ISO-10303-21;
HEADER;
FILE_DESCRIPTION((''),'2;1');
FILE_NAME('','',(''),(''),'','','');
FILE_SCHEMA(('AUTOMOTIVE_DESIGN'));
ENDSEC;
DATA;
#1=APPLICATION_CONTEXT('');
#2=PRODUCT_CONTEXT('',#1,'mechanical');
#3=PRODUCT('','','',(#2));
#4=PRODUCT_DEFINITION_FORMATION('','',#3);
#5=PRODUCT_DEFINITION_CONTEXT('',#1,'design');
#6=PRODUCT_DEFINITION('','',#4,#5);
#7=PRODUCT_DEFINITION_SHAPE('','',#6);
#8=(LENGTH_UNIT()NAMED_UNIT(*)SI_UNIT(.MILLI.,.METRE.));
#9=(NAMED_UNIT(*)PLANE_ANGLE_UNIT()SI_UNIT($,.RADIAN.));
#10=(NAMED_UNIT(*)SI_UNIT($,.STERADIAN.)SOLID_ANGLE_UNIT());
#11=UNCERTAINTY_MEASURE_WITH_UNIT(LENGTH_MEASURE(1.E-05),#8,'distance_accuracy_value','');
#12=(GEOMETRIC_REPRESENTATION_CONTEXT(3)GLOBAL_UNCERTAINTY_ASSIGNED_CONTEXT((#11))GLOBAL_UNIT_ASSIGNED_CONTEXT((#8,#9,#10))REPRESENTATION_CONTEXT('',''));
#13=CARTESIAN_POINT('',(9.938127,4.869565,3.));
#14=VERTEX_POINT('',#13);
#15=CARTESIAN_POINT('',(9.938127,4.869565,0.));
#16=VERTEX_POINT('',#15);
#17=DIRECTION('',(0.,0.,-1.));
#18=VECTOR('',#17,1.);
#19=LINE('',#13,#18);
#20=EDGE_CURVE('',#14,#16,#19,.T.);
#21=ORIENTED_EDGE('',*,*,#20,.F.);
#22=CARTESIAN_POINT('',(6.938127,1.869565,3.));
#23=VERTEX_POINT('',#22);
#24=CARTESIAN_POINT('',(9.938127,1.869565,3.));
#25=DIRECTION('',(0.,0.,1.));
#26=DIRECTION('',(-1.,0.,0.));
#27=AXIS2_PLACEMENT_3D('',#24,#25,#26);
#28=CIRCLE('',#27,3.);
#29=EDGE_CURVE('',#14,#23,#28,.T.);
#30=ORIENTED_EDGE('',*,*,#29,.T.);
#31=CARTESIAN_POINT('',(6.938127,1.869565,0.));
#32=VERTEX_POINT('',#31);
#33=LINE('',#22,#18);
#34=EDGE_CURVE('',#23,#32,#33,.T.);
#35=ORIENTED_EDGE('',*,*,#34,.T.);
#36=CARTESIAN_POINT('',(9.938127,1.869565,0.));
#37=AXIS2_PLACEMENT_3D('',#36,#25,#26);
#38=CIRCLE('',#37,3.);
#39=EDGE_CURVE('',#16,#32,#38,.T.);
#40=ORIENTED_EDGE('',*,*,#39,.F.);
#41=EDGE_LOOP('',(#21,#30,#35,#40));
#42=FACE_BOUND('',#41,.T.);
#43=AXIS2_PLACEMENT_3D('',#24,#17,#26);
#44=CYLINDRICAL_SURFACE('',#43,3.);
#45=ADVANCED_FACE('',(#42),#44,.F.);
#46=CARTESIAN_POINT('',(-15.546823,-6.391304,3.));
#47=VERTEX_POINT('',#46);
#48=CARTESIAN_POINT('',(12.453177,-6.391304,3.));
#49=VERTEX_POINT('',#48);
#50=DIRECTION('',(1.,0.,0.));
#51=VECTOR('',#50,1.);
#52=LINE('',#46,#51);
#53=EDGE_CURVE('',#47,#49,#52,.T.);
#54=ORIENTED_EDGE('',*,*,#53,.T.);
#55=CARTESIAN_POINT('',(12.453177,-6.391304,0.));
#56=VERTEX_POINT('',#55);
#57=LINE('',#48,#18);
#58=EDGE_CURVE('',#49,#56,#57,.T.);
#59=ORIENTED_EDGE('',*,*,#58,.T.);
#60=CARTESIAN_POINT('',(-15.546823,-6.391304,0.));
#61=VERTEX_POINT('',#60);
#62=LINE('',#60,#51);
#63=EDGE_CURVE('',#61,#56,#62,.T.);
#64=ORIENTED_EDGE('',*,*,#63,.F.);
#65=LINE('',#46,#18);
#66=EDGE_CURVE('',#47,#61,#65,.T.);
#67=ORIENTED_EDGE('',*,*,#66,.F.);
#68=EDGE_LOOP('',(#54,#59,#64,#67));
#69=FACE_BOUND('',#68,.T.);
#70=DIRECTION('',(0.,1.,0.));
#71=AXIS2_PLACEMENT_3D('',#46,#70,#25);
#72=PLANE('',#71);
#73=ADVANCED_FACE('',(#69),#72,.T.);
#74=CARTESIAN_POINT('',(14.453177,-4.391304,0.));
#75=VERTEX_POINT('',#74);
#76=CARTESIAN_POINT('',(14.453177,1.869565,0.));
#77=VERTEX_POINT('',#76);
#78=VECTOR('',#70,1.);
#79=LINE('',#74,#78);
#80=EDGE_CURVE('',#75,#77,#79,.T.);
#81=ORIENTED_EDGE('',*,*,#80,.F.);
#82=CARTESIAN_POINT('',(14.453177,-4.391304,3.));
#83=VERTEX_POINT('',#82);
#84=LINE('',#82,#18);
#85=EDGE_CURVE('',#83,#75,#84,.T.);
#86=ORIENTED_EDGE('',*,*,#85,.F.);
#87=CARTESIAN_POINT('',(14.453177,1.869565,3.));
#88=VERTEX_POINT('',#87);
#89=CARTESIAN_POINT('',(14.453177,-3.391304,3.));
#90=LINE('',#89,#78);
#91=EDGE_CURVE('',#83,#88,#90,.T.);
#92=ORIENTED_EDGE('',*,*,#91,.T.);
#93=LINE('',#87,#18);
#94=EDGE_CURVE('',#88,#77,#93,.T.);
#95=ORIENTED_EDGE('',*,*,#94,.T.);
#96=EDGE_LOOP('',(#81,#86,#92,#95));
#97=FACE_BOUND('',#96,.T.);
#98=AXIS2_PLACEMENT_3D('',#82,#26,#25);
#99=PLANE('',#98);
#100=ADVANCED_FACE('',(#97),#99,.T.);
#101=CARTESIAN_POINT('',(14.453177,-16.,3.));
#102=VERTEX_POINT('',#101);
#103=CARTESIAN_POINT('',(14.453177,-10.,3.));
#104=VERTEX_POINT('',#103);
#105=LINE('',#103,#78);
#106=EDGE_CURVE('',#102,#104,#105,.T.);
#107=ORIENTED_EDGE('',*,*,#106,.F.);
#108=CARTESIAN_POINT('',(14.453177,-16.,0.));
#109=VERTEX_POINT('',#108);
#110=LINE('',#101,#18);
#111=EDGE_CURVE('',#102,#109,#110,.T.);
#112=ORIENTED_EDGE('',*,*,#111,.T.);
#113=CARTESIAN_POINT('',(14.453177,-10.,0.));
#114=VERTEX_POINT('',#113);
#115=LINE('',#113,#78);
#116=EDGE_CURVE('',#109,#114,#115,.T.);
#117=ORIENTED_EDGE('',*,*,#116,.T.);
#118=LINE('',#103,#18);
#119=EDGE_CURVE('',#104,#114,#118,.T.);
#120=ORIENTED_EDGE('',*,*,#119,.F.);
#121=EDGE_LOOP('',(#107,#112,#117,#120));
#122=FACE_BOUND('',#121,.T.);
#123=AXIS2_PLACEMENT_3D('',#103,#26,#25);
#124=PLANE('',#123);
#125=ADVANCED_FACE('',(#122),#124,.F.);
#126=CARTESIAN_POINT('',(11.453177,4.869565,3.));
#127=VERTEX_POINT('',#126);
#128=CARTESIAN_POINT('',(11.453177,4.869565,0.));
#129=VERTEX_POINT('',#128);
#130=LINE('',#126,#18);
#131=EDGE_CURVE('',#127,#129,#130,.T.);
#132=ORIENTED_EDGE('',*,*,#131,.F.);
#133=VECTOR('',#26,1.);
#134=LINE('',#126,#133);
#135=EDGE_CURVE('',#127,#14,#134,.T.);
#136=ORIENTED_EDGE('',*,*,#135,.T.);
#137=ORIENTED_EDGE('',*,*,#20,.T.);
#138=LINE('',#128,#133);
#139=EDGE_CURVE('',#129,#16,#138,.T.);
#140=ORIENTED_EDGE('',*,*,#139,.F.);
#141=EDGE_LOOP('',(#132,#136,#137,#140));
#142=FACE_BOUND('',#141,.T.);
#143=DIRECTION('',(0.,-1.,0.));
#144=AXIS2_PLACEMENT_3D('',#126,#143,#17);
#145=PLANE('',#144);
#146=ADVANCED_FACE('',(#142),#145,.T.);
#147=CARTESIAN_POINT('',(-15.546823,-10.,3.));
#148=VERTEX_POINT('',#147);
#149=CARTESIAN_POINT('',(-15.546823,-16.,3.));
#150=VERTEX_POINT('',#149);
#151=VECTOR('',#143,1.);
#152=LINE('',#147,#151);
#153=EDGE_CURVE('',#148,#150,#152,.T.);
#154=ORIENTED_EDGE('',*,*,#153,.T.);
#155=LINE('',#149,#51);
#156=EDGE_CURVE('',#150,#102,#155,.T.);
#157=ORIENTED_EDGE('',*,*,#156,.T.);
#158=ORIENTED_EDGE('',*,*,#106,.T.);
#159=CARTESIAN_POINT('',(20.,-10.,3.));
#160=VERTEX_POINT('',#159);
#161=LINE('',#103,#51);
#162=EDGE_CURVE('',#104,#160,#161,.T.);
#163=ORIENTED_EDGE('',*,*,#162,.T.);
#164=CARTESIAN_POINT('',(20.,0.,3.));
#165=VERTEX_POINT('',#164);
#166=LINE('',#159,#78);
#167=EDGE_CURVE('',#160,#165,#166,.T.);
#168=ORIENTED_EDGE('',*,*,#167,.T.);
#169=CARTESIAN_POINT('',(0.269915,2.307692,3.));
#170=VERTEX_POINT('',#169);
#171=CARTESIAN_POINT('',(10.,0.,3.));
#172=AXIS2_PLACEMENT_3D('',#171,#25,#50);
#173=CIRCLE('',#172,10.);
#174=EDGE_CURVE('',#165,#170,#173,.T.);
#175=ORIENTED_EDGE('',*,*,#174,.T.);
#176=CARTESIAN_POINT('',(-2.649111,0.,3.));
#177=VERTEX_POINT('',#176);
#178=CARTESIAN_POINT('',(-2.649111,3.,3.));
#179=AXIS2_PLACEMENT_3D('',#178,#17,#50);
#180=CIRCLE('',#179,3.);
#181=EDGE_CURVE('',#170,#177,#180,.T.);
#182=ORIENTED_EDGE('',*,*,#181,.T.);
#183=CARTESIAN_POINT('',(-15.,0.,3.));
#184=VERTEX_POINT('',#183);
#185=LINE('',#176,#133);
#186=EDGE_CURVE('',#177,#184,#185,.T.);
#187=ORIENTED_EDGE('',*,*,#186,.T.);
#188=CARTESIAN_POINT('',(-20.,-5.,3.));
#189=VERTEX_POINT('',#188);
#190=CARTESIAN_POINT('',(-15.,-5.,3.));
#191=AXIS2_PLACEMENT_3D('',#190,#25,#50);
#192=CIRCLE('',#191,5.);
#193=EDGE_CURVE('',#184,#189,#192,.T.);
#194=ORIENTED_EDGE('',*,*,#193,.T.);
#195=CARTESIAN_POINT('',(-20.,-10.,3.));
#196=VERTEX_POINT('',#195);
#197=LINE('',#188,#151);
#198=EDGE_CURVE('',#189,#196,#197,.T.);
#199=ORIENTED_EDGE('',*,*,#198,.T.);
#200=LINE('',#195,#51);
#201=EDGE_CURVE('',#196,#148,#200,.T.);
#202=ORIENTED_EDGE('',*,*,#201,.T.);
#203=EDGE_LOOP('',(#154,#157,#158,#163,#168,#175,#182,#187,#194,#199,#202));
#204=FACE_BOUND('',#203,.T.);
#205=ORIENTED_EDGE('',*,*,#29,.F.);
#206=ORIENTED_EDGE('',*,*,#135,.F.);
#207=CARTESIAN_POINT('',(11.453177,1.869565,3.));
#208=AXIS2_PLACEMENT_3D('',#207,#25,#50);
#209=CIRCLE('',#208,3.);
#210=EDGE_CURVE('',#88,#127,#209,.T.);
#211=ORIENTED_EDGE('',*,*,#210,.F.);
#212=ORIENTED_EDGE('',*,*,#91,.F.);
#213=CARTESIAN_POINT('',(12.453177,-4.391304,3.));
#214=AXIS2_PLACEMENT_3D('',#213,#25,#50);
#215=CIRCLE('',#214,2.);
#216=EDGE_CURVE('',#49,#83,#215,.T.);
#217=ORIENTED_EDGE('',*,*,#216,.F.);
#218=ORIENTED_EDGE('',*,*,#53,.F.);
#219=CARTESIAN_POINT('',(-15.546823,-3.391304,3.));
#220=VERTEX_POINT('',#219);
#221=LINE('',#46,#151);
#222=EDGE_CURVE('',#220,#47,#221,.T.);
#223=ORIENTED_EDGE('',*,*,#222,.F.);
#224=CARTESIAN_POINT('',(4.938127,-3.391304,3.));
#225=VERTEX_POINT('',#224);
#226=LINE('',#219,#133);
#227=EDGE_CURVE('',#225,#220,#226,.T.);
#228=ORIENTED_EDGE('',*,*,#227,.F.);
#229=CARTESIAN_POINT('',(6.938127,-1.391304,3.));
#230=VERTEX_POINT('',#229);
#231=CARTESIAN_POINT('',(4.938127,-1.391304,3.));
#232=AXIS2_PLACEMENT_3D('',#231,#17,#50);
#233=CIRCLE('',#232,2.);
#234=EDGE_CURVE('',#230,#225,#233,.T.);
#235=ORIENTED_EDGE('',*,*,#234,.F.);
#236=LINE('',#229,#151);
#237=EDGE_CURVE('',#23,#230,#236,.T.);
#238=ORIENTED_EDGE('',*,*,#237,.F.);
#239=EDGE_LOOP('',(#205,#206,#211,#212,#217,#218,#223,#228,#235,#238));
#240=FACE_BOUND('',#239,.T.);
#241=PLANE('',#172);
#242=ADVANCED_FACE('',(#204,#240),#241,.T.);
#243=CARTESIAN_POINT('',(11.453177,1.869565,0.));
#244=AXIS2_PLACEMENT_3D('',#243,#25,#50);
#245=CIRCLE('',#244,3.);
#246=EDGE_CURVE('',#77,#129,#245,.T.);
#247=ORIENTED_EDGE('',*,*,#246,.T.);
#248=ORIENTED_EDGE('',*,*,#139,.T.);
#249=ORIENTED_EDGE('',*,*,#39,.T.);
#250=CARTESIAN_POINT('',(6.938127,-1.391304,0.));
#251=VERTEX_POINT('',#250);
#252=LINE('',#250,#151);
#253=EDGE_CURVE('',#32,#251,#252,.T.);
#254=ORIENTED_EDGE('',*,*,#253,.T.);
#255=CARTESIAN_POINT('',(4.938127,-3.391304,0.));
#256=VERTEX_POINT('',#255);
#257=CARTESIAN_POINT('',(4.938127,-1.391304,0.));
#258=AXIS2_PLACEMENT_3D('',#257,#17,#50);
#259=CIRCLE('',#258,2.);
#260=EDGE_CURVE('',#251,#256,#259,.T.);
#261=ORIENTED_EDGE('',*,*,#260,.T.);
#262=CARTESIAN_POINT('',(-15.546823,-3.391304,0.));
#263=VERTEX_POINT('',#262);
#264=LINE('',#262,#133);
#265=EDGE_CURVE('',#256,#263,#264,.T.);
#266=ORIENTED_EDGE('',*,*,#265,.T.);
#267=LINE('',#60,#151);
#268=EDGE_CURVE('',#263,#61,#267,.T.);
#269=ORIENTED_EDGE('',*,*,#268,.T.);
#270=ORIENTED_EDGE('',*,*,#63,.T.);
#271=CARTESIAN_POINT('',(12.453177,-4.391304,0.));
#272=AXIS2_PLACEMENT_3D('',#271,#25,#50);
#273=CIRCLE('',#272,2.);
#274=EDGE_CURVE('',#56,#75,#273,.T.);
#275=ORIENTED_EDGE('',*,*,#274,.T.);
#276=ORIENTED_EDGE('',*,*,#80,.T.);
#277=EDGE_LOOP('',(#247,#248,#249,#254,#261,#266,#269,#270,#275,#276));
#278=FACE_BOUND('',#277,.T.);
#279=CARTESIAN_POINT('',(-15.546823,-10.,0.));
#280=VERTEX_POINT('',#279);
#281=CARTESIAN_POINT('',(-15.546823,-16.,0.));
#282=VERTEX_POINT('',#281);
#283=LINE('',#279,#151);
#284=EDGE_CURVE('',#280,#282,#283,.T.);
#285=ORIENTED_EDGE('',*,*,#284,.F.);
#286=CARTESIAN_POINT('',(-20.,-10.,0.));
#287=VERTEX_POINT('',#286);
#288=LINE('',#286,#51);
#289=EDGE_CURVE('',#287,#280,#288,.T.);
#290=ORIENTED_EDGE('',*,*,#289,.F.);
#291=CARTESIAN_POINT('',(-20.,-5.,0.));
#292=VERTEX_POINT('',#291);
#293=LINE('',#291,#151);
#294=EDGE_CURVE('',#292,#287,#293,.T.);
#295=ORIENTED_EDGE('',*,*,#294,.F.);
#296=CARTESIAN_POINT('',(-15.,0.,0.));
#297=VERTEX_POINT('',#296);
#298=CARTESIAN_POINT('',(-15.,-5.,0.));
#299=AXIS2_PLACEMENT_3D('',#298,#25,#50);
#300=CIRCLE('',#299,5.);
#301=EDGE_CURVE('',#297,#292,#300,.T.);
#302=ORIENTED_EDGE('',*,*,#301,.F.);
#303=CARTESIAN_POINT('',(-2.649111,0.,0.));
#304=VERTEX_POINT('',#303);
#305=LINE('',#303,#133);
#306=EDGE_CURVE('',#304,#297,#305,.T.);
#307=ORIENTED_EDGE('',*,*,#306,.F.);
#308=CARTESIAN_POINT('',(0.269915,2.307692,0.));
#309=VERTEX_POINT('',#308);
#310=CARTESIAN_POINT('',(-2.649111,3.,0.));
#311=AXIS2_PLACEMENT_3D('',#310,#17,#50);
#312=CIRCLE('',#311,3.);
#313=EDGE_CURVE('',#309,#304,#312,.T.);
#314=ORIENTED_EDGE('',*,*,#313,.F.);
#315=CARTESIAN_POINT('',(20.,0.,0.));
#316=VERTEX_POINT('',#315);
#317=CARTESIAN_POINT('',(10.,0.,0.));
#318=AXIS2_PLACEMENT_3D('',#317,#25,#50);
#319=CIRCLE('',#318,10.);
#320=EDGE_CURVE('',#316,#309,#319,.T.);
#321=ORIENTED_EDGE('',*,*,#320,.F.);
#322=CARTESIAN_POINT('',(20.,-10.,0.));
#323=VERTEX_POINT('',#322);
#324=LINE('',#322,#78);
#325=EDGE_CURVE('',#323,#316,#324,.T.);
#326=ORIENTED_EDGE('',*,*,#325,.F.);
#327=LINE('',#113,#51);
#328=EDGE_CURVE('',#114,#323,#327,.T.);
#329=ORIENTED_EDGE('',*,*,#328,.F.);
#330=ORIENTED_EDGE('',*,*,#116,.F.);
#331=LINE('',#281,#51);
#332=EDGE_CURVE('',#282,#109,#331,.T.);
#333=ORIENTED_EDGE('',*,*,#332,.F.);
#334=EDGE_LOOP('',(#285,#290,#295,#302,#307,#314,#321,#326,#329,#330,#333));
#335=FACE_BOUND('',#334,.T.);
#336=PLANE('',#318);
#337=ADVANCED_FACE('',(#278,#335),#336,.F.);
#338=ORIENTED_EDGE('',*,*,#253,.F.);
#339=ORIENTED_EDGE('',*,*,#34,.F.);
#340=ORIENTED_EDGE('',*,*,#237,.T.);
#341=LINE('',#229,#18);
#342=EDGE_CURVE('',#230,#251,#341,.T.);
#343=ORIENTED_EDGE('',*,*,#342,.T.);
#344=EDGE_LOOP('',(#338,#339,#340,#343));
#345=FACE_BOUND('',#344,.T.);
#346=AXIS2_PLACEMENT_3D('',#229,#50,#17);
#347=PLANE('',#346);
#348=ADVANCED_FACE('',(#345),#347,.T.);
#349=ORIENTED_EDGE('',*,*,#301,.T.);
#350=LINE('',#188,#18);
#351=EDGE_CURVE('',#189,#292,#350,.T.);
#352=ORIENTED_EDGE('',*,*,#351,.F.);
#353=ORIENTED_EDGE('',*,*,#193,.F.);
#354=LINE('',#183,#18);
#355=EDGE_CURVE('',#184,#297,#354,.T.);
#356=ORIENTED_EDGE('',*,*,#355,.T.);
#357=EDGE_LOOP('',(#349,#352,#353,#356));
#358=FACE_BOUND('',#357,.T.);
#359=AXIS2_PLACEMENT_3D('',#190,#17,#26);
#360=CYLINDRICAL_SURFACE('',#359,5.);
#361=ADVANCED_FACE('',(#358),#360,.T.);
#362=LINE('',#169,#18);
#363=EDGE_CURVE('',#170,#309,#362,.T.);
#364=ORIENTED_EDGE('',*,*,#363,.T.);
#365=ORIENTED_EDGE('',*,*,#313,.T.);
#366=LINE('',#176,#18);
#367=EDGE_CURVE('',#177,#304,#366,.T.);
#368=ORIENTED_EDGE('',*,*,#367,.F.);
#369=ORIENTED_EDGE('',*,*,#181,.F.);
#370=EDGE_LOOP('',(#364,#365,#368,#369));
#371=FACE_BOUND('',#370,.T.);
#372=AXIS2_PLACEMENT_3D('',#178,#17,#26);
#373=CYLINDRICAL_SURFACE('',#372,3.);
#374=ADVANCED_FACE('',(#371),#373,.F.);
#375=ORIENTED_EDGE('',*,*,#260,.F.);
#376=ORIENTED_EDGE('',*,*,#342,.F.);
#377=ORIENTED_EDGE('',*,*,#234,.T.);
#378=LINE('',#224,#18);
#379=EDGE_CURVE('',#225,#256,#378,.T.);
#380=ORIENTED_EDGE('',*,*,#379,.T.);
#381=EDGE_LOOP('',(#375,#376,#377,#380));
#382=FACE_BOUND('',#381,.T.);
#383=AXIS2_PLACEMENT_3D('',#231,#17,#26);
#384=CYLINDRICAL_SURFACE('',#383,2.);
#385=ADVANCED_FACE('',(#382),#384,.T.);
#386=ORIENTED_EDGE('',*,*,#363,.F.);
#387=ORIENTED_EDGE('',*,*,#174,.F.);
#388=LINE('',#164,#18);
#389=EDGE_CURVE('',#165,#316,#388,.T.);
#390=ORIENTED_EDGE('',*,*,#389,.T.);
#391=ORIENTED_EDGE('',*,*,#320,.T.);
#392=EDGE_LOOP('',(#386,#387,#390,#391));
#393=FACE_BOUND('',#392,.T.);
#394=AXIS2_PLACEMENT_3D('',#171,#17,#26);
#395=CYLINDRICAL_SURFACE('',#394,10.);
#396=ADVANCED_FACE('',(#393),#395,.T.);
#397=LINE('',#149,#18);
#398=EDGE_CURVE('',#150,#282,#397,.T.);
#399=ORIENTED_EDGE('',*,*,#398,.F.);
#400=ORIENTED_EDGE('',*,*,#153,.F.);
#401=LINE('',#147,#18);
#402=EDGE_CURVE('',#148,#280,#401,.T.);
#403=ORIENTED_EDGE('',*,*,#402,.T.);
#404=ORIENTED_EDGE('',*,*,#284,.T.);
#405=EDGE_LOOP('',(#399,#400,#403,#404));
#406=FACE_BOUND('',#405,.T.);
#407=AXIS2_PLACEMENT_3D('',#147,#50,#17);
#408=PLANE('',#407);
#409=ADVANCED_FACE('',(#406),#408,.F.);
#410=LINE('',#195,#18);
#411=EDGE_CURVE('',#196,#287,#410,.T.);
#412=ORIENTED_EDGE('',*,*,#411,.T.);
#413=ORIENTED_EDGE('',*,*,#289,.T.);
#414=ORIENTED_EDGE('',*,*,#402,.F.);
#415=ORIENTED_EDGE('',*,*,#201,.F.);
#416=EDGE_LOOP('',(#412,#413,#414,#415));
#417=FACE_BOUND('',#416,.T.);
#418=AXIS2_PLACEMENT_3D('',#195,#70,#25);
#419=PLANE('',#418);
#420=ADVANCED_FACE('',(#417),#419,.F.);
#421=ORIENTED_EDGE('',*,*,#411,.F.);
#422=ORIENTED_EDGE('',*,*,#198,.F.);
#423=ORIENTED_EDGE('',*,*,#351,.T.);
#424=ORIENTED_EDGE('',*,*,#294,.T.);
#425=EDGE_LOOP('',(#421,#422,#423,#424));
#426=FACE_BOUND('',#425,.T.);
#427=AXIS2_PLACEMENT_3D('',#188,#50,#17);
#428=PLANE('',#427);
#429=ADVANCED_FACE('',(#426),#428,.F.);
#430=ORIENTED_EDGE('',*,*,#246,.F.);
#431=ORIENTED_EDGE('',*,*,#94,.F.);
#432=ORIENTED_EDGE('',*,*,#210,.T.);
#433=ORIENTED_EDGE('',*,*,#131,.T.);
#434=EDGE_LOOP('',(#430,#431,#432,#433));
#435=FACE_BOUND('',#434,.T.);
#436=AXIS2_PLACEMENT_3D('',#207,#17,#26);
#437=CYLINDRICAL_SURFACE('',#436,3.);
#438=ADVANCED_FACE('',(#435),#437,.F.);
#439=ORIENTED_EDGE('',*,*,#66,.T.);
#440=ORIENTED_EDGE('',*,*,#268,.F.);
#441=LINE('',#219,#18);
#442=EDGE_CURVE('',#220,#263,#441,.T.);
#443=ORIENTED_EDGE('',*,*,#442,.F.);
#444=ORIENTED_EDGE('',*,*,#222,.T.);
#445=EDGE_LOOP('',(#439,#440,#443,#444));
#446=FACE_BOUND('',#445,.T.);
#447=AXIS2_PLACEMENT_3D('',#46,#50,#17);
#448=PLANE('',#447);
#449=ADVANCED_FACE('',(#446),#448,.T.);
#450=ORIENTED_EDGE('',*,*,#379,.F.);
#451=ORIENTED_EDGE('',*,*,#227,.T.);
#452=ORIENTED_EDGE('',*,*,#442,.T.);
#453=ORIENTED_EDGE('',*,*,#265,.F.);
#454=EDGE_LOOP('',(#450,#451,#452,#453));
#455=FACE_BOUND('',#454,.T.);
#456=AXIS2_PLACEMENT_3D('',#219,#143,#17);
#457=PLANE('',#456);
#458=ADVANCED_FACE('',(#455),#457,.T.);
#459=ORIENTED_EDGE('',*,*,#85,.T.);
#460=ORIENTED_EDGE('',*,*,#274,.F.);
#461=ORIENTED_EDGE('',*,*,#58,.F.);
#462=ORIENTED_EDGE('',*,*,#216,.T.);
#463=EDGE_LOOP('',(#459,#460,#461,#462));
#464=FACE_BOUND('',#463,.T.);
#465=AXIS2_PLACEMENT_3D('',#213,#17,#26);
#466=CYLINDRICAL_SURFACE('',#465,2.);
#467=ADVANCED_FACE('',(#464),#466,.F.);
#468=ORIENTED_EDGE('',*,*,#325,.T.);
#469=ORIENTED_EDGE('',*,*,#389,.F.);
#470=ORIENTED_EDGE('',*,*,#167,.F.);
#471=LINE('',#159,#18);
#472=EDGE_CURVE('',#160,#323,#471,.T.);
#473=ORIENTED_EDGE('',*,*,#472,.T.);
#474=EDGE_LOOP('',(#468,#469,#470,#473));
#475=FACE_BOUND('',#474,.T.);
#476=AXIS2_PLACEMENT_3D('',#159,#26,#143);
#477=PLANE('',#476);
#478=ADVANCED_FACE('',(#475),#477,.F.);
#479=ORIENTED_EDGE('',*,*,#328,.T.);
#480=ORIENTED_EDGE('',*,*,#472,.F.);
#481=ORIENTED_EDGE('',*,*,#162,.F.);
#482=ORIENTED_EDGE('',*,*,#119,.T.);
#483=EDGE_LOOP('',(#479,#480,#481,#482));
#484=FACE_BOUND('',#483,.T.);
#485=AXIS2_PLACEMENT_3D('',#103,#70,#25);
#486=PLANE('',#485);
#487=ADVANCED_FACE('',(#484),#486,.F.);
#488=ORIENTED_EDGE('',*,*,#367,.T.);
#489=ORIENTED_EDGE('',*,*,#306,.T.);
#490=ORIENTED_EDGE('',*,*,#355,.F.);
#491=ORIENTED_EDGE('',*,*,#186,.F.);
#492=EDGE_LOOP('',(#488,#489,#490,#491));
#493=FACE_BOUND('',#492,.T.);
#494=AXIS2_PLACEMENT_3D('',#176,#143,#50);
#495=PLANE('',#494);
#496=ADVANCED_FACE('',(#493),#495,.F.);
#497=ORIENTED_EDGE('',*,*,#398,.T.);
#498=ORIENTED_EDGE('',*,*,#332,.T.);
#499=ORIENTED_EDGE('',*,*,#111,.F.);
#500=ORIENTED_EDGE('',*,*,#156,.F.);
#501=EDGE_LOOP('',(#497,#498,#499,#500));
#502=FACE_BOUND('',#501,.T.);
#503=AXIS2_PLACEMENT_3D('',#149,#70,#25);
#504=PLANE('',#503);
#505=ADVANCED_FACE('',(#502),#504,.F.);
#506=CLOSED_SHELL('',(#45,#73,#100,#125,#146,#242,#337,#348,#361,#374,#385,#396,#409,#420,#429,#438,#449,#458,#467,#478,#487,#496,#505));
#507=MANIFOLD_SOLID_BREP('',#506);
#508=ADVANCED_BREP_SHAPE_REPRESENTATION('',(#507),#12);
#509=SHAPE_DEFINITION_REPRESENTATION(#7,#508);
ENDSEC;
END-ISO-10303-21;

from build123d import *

# Parameters (mm, degrees)
SALIENTE_EXTRUIR1_DEPTH = 3


with BuildPart() as part:
    # Croquis1 → Saliente-Extruir1 (new body)
    with BuildSketch(Plane.XY):
        with BuildLine():
            Line((-2.649110641, 0), (-15, 0))
            ThreePointArc((-15, 0), (-18.535533906, -1.464466094), (-20, -5))
            Line((-20, -5), (-20, -10))
            Line((-20, -10), (-15.546822742, -10))
            Line((-15.546822742, -10), (-15.546822742, -16))
            Line((-15.546822742, -16), (14.453177258, -16))
            Line((14.453177258, -16), (14.453177258, -10))
            Line((14.453177258, -10), (20, -10))
            Line((20, -10), (20, 0))
            ThreePointArc((20, 0), (11.161711866, 9.932292059), (0.269914892, 2.307692308))
            ThreePointArc((0.269914892, 2.307692308), (-0.788589622, 0.646606378), (-2.649110641, 0))
        make_face()
        with BuildLine():
            Line((-15.546822742, -6.391304348), (12.453177258, -6.391304348))
            ThreePointArc((12.453177258, -6.391304348), (13.86739082, -5.80551791), (14.453177258, -4.391304348))
            Line((14.453177258, -4.391304348), (14.453177258, -3.391304348))
            Line((14.453177258, -3.391304348), (14.453177258, 1.869565217))
            ThreePointArc((14.453177258, 1.869565217), (13.574497601, 3.990885561), (11.453177258, 4.869565217))
            Line((11.453177258, 4.869565217), (9.93812709, 4.869565217))
            ThreePointArc((9.93812709, 4.869565217), (7.816806747, 3.990885561), (6.93812709, 1.869565217))
            Line((6.93812709, 1.869565217), (6.93812709, -1.391304348))
            ThreePointArc((6.93812709, -1.391304348), (6.352340653, -2.80551791), (4.93812709, -3.391304348))
            Line((4.93812709, -3.391304348), (-15.546822742, -3.391304348))
            Line((-15.546822742, -3.391304348), (-15.546822742, -6.391304348))
        make_face(mode=Mode.SUBTRACT)
    extrude(amount=SALIENTE_EXTRUIR1_DEPTH)


solid = part.part
